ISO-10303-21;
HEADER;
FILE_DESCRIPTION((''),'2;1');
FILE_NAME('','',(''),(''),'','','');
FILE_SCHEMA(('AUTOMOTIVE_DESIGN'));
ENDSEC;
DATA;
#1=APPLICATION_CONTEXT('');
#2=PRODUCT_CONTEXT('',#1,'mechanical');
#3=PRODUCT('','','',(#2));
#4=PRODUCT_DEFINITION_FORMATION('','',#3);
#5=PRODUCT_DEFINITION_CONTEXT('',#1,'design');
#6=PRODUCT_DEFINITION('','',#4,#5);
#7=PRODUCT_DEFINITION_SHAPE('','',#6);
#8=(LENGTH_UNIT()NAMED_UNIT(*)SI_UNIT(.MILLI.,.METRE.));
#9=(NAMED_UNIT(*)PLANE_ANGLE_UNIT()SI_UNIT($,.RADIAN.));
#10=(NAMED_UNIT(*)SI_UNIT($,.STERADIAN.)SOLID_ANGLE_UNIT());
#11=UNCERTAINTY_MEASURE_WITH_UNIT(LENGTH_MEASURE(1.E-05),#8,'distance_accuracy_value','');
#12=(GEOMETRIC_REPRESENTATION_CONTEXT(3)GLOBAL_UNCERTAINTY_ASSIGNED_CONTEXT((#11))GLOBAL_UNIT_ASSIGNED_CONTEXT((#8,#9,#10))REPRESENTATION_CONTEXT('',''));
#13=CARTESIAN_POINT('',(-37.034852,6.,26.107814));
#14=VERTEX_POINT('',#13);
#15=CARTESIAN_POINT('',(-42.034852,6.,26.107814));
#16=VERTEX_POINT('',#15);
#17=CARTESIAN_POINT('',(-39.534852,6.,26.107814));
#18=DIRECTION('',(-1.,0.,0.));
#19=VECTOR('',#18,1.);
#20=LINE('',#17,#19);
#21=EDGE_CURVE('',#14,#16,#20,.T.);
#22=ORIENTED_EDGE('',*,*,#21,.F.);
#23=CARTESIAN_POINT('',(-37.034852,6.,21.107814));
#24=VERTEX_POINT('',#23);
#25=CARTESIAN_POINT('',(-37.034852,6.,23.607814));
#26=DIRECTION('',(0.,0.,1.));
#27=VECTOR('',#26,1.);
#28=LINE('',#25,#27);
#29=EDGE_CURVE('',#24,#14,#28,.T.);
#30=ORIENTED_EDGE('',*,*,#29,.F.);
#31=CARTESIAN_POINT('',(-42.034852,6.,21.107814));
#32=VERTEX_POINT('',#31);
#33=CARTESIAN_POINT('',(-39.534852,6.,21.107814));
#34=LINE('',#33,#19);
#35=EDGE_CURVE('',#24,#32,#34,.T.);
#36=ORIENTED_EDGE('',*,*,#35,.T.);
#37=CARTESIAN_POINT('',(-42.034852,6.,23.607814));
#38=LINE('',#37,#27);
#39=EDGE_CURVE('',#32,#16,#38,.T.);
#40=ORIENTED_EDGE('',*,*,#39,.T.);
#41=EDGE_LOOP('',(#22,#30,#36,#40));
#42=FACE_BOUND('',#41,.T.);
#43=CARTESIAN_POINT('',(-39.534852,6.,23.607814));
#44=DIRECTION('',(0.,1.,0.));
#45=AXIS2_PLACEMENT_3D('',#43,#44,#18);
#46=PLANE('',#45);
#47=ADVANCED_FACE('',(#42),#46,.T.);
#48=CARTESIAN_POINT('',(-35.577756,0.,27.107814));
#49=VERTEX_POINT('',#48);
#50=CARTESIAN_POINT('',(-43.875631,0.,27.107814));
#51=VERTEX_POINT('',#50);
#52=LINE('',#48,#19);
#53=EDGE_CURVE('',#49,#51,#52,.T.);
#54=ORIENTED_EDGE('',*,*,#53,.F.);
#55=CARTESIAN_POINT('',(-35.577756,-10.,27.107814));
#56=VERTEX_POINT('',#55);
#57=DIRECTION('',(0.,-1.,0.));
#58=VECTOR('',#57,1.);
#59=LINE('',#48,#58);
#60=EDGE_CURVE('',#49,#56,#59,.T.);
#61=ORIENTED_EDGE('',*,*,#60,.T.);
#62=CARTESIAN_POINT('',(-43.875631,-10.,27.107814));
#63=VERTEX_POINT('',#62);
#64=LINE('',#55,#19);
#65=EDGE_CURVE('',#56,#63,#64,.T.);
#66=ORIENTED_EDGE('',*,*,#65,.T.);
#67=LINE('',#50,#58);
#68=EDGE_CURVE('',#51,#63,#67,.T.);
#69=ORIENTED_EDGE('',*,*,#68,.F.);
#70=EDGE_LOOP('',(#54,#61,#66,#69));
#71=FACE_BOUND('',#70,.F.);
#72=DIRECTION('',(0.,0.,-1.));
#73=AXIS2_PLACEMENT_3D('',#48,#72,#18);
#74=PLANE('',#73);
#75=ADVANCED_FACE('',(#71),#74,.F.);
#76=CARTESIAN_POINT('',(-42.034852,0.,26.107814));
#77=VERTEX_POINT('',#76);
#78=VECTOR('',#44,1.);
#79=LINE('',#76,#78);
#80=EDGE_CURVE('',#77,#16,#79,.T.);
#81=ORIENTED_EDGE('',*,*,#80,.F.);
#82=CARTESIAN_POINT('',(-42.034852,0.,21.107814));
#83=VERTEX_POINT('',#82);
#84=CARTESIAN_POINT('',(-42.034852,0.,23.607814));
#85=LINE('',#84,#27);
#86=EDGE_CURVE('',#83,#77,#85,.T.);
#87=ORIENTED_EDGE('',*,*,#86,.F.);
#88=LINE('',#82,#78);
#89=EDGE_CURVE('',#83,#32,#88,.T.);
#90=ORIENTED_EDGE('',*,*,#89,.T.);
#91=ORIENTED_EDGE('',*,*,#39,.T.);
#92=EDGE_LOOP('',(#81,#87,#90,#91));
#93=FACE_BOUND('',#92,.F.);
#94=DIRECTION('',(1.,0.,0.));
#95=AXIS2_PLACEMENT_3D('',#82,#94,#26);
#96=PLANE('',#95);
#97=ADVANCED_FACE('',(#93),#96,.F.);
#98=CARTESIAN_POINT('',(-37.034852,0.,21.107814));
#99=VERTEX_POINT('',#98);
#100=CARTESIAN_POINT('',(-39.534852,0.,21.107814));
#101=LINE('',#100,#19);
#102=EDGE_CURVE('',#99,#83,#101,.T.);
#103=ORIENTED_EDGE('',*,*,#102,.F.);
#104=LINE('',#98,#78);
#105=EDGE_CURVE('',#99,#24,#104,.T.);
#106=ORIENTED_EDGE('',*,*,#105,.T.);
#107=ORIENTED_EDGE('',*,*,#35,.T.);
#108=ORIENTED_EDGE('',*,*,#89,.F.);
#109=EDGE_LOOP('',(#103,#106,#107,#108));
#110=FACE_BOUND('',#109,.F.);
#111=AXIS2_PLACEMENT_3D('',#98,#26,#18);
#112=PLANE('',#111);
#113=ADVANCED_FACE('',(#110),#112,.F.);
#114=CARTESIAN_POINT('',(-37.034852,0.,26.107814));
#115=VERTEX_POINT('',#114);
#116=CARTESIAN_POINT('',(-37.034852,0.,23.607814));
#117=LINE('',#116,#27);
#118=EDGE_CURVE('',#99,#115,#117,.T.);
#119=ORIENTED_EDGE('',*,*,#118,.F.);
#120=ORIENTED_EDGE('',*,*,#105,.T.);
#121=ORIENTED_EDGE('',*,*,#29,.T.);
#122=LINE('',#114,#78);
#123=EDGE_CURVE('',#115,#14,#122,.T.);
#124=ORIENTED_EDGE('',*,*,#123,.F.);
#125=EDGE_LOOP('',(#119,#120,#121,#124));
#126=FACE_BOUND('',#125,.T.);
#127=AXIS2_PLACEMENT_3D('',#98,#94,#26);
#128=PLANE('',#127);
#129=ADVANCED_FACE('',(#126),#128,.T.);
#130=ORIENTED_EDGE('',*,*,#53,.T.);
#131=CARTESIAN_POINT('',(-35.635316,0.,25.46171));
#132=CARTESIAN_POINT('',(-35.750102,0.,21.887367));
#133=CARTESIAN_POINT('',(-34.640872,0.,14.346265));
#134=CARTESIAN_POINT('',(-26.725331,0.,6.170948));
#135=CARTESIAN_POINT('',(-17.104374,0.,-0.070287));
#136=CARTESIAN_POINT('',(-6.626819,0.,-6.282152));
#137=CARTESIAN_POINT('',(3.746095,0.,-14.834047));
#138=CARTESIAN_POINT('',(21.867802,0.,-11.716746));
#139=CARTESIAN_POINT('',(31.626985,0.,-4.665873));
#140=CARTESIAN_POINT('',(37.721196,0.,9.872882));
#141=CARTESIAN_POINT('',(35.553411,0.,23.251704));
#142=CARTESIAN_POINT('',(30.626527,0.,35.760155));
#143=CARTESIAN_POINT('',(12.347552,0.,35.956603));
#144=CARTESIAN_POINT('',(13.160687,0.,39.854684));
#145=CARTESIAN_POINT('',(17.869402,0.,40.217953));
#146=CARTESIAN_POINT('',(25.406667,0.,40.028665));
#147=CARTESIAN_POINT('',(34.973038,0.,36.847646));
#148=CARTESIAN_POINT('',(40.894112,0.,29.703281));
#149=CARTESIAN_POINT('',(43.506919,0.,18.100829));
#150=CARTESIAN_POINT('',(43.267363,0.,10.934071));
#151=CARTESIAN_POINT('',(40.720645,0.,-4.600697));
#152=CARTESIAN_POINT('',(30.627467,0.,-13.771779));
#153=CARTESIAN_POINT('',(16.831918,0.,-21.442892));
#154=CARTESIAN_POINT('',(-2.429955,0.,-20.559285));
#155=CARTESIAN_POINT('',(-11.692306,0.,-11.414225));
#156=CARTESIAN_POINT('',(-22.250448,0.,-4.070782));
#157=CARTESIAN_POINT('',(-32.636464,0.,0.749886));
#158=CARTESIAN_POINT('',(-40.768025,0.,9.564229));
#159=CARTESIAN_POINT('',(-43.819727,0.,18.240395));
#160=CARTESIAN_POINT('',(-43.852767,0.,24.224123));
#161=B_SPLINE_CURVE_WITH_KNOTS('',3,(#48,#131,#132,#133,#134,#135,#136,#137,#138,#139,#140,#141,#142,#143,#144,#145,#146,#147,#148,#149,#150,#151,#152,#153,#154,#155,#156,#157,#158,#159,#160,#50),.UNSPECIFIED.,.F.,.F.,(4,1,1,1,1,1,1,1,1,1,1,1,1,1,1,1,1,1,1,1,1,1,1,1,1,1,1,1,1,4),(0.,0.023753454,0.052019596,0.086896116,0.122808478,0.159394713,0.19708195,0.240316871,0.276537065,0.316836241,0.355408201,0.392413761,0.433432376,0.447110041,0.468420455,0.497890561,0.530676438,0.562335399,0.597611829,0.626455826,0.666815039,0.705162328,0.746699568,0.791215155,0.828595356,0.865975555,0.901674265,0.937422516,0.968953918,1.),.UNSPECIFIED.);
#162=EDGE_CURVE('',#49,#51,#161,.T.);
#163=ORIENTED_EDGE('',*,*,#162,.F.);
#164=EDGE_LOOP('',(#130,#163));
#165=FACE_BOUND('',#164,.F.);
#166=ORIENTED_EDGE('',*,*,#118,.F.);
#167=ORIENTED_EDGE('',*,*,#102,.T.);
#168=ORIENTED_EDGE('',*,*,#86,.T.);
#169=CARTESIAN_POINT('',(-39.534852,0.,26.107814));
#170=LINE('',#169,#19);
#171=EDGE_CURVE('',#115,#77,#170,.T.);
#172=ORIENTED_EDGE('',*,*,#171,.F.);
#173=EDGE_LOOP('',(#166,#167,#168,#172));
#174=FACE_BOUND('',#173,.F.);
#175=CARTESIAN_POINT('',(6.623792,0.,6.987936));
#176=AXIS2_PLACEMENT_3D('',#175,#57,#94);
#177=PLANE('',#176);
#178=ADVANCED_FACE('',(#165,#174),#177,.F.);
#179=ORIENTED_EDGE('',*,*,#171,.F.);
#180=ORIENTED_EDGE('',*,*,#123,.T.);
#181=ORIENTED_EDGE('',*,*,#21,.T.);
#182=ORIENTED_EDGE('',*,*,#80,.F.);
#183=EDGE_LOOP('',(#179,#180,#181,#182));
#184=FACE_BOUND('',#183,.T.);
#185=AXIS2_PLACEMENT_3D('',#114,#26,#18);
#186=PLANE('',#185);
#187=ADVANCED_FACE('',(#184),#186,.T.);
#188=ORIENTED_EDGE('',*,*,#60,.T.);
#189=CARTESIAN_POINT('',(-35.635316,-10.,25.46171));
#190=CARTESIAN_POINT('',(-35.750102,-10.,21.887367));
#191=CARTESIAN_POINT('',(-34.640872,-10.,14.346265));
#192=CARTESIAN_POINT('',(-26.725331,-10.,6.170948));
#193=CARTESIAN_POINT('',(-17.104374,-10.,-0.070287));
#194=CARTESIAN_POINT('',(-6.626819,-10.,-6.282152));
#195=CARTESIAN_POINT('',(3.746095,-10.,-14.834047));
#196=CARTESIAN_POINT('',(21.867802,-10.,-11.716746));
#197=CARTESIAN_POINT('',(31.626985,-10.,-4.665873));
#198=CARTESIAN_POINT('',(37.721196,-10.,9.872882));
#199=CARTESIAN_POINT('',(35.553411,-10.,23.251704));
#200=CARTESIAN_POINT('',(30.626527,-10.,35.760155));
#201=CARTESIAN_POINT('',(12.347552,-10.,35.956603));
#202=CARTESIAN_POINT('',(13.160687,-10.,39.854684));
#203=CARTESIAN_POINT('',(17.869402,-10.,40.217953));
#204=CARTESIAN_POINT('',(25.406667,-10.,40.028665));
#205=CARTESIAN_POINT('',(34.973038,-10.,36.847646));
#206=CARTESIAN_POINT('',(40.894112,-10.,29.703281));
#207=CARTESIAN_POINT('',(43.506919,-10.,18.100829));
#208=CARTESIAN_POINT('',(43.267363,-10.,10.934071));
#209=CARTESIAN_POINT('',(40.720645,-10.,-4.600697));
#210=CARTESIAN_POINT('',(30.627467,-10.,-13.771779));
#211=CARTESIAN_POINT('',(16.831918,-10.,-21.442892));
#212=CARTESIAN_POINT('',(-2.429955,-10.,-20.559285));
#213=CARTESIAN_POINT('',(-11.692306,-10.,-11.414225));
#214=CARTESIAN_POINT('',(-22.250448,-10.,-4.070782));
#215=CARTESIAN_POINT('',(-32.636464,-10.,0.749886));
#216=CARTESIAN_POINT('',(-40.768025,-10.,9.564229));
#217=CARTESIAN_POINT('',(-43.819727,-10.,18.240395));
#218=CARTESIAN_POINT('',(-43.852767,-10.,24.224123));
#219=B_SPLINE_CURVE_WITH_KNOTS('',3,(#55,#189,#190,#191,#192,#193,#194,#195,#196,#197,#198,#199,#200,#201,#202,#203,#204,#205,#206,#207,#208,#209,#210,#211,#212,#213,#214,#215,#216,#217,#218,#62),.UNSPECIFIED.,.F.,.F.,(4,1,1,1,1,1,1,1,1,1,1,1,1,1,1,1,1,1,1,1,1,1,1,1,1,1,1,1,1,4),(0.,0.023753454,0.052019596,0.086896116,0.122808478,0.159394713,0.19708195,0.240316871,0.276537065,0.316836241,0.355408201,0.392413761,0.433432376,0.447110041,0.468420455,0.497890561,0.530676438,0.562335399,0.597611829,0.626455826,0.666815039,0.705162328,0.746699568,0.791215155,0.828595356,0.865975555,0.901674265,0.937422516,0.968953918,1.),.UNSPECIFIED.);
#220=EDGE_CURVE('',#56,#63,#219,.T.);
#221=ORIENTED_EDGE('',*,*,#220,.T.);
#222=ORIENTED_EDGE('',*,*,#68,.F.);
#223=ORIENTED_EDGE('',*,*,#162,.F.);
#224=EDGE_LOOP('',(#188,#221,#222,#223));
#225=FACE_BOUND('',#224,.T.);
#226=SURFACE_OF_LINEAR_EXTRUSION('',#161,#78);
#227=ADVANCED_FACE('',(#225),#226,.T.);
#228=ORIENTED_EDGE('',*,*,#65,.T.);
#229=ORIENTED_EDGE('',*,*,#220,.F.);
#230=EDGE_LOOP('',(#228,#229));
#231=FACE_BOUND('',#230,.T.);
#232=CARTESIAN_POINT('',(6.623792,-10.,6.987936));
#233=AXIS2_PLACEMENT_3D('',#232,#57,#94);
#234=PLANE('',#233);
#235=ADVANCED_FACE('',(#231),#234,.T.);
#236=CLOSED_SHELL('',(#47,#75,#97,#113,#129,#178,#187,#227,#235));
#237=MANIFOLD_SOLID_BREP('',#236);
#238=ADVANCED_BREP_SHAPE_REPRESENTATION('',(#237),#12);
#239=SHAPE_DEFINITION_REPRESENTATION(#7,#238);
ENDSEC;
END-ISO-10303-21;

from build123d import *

# Parameters (mm, degrees)
F1_DEPTH = 10
F2_W     = 5
F2_H     = 5
F3_DEPTH = 6


with BuildPart() as f1:
    # F0 (on Front) → F1 (new body)
    with BuildSketch(Plane.XZ):
        with BuildLine():
            Line((-35.5777555258, 27.1078141265), (-43.8756307894, 27.1078141265))
            add(Edge.make_bspline(
                [(-35.5777555258, 27.1078141265), (-35.6353155353, 25.4617101246), (-35.7501015248, 21.8873666155), (-34.6408716405, 14.3462654854), (-26.7253310249, 6.1709475255), (-17.1043735502, -0.0702874327), (-6.6268193939, -6.282151859), (3.7460945051, -14.8340466928), (21.867801615, -11.7167464957), (31.6269852574, -4.6658728819), (37.721195569, 9.8728824466), (35.5534109153, 23.2517038408), (30.6265268195, 35.7601546812), (12.3475517381, 35.9566028016), (13.1606868009, 39.8546840928), (17.869401804, 40.2179530801), (25.4066668648, 40.0286652757), (34.9730383678, 36.8476460655), (40.8941121677, 29.7032808917), (43.5069194659, 18.1008291278), (43.2673625551, 10.9340710068), (40.7206453071, -4.6006973465), (30.6274667076, -13.7717789758), (16.8319182993, -21.442891817), (-2.4299554997, -20.5592849215), (-11.6923064765, -11.4142254823), (-22.2504483972, -4.0707815119), (-32.6364638894, 0.7498862662), (-40.7680247245, 9.5642287048), (-43.8197271295, 18.2403951507), (-43.8527674087, 24.2241231082), (-43.8756307894, 27.1078141265)],
                knots=[0, 0, 0, 0, 0.0237534537, 0.052019596, 0.0868961157, 0.1228084785, 0.1593947131, 0.1970819497, 0.2403168708, 0.2765370647, 0.3168362409, 0.3554082012, 0.3924137611, 0.4334323764, 0.4471100412, 0.4684204549, 0.4978905608, 0.5306764375, 0.5623353993, 0.5976118289, 0.6264558265, 0.666815039, 0.7051623281, 0.7466995685, 0.7912151554, 0.8285953562, 0.8659755546, 0.9016742649, 0.9374225162, 0.9689539184, 1, 1, 1, 1], degree=3))
        make_face()
    extrude(amount=F1_DEPTH)

    # F2 (on face) → F3 (join)
    with BuildSketch(Plane(origin=(0, 0, 0), x_dir=(-1, 0, 0), z_dir=(0, 1, 0))):
        with Locations((39.5348519087, 23.6078141265)):
            Rectangle(F2_W, F2_H)
    extrude(amount=F3_DEPTH)


solid = f1.part
